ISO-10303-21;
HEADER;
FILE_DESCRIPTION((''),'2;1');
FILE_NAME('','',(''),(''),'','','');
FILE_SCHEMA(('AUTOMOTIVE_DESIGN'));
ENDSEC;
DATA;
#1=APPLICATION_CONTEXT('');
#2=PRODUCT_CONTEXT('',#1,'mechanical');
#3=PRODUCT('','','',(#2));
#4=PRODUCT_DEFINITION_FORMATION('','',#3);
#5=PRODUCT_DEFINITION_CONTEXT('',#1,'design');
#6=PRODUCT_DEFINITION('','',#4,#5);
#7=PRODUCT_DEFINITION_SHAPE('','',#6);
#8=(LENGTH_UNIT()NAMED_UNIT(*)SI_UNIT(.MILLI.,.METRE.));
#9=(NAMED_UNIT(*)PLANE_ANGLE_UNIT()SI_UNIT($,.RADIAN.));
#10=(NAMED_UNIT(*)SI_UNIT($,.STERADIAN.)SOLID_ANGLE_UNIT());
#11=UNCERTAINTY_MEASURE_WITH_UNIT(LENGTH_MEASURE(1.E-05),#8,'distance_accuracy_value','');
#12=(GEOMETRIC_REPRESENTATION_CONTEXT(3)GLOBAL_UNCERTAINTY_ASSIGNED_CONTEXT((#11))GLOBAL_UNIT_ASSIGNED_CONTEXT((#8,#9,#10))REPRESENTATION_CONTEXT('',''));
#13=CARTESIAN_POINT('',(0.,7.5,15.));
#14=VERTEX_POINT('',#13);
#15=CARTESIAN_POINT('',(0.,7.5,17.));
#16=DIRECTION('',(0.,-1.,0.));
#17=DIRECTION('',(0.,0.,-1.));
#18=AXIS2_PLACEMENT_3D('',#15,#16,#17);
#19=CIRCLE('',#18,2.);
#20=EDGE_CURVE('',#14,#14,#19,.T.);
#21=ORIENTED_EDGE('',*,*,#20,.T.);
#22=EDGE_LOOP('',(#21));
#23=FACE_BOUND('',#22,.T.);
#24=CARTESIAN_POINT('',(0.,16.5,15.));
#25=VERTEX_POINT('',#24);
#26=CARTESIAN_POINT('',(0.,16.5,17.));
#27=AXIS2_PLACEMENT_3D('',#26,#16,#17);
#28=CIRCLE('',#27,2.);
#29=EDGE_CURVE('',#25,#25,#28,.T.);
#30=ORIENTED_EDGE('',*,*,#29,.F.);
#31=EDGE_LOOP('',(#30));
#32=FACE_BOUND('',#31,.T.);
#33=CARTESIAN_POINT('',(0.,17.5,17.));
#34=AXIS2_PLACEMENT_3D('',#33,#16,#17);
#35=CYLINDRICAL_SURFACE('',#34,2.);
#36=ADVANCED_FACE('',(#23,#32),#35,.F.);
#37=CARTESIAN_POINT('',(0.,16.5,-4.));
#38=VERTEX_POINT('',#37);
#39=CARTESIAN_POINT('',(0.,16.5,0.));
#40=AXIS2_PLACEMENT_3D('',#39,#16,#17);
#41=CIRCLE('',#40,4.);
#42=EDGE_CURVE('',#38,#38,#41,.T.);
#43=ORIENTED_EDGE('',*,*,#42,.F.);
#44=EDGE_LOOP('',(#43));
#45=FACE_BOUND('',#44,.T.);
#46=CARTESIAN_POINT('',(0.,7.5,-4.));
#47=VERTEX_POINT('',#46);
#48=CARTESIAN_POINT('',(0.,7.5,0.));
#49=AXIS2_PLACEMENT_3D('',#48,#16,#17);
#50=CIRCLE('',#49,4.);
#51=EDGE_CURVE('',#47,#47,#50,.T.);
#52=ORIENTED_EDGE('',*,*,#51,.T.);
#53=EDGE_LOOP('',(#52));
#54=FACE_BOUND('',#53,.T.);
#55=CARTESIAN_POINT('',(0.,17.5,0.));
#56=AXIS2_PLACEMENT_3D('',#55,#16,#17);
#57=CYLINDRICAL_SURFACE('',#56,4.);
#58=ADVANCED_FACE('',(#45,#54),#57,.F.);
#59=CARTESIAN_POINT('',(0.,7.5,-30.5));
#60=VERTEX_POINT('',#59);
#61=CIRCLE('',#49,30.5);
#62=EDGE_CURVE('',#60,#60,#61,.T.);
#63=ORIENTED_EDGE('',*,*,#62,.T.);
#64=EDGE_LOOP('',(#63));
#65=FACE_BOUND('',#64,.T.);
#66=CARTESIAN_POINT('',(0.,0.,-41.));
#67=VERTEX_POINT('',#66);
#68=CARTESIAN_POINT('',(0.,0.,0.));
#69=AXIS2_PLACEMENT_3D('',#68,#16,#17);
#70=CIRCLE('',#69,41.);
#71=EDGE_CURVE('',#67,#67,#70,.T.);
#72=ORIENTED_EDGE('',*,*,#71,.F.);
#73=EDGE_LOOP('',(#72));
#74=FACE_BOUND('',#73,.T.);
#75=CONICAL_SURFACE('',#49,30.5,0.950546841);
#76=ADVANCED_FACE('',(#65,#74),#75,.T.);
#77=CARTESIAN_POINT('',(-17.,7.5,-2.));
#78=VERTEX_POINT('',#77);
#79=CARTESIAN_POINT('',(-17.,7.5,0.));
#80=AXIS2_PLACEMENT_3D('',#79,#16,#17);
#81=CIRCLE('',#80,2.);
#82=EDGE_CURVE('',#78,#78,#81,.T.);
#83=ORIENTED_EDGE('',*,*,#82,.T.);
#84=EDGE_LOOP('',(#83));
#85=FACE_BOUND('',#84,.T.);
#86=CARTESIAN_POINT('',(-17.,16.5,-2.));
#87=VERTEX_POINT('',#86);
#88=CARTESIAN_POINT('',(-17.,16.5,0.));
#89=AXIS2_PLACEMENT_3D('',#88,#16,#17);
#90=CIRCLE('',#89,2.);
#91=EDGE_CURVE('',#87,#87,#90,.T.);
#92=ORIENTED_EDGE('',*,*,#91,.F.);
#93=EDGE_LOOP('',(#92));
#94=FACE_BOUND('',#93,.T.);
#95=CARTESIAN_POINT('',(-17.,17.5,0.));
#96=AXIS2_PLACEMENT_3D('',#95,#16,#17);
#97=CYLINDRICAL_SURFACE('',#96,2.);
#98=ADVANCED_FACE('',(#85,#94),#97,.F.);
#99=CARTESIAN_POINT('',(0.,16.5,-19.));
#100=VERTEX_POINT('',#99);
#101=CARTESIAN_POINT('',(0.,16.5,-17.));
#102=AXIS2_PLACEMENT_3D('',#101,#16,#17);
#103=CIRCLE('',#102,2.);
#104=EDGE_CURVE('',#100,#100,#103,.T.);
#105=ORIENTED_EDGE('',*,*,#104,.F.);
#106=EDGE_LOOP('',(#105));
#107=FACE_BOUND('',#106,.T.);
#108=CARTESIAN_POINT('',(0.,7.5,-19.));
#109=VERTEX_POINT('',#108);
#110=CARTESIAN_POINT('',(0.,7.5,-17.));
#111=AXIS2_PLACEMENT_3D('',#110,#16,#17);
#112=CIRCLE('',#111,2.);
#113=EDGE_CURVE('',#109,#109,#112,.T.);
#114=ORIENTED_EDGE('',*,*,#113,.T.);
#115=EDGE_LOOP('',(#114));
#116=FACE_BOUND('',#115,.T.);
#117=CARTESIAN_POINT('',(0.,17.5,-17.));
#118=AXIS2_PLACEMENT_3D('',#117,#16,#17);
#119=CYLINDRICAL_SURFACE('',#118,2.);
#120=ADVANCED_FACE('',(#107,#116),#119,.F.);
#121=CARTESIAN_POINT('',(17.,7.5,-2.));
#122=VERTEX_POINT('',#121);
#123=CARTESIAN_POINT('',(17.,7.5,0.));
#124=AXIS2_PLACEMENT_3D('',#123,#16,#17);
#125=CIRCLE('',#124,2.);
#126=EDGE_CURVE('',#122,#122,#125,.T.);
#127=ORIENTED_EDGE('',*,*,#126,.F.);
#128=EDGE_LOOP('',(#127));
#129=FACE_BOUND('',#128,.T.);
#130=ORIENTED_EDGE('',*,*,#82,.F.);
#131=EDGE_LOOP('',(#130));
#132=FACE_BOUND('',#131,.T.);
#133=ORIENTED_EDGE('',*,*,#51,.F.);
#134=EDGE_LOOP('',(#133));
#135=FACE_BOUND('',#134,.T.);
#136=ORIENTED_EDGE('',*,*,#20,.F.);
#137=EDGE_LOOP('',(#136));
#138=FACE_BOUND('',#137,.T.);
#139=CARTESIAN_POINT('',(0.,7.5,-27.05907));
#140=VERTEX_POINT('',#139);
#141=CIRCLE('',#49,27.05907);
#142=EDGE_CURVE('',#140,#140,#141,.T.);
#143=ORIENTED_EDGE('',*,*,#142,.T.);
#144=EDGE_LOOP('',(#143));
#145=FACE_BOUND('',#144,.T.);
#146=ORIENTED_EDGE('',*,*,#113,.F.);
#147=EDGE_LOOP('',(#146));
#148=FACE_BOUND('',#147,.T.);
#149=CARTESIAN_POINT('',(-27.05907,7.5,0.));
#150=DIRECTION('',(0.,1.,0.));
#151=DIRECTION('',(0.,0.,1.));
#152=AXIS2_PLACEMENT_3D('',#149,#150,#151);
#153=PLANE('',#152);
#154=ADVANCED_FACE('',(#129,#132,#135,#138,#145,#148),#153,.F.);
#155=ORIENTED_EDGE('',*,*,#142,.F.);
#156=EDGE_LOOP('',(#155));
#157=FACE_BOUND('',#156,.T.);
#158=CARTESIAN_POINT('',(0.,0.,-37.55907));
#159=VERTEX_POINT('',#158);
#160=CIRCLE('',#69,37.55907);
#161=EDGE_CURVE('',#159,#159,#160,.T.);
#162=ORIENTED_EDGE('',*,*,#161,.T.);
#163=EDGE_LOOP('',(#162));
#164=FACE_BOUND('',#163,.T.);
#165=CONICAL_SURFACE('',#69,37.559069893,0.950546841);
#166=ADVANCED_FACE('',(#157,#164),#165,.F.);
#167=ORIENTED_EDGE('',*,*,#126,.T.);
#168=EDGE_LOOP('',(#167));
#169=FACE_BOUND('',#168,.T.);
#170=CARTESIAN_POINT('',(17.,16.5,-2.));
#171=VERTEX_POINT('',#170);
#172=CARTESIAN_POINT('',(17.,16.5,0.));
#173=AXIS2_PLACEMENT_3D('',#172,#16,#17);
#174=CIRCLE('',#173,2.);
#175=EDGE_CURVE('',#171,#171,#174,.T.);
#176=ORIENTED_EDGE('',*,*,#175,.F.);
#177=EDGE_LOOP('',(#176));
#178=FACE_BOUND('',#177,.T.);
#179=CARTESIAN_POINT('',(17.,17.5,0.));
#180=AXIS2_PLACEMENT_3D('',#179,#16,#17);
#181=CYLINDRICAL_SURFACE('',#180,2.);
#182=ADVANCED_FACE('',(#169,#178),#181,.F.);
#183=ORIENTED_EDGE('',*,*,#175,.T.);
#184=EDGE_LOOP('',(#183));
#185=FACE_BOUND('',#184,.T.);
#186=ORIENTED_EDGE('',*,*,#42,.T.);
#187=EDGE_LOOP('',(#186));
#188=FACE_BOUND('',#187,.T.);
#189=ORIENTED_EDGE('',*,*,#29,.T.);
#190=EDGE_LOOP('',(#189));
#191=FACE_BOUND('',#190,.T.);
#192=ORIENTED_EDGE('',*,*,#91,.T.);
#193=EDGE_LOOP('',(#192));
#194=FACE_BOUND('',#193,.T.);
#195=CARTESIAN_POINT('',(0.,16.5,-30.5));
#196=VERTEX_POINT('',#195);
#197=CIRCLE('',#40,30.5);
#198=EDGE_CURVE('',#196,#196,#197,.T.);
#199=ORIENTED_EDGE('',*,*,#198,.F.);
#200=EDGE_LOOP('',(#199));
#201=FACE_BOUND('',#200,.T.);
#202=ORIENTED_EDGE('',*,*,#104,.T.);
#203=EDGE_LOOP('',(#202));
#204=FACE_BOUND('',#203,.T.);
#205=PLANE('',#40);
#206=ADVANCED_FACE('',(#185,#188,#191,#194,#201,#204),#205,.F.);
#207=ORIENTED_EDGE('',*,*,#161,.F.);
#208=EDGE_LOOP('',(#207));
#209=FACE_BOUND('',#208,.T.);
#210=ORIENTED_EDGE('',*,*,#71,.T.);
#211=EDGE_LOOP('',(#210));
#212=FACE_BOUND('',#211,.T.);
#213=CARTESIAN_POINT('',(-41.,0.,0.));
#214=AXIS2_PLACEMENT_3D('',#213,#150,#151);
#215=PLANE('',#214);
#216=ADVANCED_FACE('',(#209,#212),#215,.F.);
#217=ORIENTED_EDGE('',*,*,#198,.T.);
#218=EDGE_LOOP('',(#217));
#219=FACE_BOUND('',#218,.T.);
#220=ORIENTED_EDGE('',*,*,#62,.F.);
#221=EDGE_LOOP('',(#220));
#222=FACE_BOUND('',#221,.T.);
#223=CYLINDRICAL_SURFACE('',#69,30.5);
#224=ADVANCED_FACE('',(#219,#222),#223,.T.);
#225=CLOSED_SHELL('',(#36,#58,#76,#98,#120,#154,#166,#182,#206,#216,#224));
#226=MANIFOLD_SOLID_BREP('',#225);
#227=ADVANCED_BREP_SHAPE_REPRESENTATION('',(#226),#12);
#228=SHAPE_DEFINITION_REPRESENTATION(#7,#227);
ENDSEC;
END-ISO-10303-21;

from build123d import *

# Parameters (mm, degrees)
SKETCH_2_R          = 4
SKETCH_2_R_2        = 2
CUT_EXTRUDE_1_DEPTH = 10


with BuildPart() as part:
    # 草图1 → 旋转1 (revolve)
    with BuildSketch(Plane.XY, mode=Mode.PRIVATE) as revolve_1_sk:
        Polygon((0, 16.5), (-30.5, 16.5), (-30.5, 7.5), (-41, 0), (-37.559069893, 0), (-27.059069893, 7.5), (0, 7.5), align=None)
    revolve(revolve_1_sk.sketch.rotate(Axis((0, 0, 0), (0, 1, 0)), 270), axis=Axis((0, 0, 0), (0, 1, 0)))

    # 草图2 → 切除-拉伸1 (cut)
    with BuildSketch(Plane.XZ.offset(-7.5)):
        with Locations(Location((0, 0, 0), (0, 0, 270))):
            Circle(SKETCH_2_R)
        with Locations(Location((0, 17, 0), (0, 0, 270))):
            Circle(SKETCH_2_R_2)
        with Locations(Location((17, 0, 0), (0, 0, 270))):
            Circle(SKETCH_2_R_2)
        with Locations(Location((0, -17, 0), (0, 0, 270))):
            Circle(SKETCH_2_R_2)
        with Locations(Location((-17, 0, 0), (0, 0, 270))):
            Circle(SKETCH_2_R_2)
    extrude(amount=-CUT_EXTRUDE_1_DEPTH, mode=Mode.SUBTRACT)


solid = part.part
